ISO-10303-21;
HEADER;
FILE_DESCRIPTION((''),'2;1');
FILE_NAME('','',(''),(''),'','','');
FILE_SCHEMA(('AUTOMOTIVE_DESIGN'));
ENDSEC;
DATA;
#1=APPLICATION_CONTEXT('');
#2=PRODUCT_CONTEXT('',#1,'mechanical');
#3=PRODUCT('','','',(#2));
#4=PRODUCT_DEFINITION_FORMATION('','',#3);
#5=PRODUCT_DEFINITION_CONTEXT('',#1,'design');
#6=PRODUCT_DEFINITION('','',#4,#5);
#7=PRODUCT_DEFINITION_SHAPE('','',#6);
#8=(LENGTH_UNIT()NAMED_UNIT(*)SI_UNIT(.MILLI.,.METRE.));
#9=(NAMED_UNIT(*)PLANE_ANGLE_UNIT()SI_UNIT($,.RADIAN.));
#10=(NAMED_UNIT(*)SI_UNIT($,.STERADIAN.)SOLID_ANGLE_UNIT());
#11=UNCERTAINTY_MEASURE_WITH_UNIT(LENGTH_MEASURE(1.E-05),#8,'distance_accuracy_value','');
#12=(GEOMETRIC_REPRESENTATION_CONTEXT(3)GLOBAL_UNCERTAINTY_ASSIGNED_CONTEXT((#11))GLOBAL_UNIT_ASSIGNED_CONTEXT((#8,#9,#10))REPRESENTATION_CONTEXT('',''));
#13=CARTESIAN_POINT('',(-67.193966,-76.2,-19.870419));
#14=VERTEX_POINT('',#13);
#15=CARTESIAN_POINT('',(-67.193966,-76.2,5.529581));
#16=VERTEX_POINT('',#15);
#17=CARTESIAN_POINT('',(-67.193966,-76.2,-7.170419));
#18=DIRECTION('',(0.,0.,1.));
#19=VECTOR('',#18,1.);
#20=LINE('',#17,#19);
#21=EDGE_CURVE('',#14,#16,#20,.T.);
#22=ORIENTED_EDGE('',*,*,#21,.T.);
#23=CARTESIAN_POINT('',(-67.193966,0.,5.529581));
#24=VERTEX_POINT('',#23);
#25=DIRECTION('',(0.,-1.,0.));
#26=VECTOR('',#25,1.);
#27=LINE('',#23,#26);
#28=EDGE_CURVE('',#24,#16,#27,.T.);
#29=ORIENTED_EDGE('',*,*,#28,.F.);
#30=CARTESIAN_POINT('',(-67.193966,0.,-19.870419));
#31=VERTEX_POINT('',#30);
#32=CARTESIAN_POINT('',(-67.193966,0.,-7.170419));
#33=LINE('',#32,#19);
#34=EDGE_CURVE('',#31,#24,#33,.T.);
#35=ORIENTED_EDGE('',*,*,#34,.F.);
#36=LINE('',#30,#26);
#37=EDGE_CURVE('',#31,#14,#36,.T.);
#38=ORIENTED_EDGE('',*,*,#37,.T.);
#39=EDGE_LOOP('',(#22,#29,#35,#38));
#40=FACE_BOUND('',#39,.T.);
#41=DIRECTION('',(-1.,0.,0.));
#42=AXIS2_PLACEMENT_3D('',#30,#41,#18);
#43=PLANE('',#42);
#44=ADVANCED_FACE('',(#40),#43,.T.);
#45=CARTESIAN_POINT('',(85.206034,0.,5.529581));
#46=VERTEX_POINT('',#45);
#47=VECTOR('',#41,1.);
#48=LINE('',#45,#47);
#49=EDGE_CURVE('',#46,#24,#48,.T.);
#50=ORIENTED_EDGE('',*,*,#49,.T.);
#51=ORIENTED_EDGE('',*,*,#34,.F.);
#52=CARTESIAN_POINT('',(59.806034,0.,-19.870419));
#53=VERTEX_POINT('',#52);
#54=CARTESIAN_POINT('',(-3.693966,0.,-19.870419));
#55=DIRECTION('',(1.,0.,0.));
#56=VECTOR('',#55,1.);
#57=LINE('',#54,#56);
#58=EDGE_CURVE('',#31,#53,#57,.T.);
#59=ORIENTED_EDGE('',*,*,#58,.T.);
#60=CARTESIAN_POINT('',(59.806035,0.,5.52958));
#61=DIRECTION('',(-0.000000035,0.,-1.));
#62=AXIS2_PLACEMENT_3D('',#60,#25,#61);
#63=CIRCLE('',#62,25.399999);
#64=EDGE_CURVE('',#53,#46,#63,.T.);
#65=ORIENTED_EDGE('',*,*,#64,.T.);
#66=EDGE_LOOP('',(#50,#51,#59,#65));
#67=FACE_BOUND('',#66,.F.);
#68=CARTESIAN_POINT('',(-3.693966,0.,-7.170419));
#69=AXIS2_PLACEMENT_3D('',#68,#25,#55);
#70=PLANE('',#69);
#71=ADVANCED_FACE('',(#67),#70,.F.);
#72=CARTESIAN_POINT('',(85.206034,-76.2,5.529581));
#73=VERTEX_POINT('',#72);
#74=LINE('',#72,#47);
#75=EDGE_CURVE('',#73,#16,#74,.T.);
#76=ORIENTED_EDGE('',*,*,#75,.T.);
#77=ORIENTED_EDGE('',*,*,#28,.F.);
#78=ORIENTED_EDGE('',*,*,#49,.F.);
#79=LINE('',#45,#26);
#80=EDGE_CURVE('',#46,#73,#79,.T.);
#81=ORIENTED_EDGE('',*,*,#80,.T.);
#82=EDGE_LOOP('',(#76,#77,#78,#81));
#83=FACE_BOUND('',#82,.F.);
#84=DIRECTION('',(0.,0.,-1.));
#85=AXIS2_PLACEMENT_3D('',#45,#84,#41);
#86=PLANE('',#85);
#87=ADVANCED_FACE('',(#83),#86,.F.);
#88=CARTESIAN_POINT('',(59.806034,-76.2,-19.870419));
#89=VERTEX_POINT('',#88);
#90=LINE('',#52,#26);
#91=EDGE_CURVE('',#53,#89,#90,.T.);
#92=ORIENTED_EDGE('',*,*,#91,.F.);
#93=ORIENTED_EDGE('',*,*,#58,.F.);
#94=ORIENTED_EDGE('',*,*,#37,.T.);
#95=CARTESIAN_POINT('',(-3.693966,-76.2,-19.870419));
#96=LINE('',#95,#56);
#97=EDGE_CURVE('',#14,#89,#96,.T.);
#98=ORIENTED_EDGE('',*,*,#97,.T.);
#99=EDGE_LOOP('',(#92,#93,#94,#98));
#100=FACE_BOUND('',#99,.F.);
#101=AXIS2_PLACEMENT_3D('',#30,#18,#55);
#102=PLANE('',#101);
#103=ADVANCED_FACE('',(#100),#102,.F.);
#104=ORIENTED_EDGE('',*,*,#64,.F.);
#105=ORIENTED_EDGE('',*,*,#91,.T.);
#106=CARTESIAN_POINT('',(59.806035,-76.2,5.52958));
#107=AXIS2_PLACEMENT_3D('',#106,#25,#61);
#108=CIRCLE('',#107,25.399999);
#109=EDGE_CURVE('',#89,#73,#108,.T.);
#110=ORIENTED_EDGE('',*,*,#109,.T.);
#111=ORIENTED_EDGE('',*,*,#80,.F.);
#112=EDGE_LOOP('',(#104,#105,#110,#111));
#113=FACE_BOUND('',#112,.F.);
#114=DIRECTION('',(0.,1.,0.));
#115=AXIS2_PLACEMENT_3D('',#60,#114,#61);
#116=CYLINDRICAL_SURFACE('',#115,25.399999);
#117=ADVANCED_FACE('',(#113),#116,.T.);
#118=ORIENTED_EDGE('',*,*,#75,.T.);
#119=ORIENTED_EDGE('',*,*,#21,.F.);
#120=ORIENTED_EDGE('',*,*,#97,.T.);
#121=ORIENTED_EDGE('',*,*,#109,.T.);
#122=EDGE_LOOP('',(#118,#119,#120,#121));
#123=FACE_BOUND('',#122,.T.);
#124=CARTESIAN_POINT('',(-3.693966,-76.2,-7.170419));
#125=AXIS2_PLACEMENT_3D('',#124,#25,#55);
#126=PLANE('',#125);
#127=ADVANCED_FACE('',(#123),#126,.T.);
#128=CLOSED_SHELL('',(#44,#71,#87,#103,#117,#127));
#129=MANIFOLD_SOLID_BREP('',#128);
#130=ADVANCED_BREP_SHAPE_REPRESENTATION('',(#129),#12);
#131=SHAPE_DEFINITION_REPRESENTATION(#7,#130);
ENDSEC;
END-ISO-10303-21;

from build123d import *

# Parameters (mm, degrees)
F0_W     = 127
F0_H     = 25.4
F1_DEPTH = 76.2


with BuildPart() as f1:
    # F0 (on Front) → F1 (new body)
    with BuildSketch(Plane.XZ):
        with Locations((-3.693966, -7.170419)):
            Rectangle(F0_W, F0_H)
        with BuildLine():
            Line((85.206034, 5.529581), (59.806034, 5.529581))
            Line((59.806034, 5.529581), (59.806034, -19.870419))
            ThreePointArc((59.806034, -19.870419), (77.766546, -12.430932), (85.206034, 5.529581))
        make_face()
    extrude(amount=F1_DEPTH)


solid = f1.part
